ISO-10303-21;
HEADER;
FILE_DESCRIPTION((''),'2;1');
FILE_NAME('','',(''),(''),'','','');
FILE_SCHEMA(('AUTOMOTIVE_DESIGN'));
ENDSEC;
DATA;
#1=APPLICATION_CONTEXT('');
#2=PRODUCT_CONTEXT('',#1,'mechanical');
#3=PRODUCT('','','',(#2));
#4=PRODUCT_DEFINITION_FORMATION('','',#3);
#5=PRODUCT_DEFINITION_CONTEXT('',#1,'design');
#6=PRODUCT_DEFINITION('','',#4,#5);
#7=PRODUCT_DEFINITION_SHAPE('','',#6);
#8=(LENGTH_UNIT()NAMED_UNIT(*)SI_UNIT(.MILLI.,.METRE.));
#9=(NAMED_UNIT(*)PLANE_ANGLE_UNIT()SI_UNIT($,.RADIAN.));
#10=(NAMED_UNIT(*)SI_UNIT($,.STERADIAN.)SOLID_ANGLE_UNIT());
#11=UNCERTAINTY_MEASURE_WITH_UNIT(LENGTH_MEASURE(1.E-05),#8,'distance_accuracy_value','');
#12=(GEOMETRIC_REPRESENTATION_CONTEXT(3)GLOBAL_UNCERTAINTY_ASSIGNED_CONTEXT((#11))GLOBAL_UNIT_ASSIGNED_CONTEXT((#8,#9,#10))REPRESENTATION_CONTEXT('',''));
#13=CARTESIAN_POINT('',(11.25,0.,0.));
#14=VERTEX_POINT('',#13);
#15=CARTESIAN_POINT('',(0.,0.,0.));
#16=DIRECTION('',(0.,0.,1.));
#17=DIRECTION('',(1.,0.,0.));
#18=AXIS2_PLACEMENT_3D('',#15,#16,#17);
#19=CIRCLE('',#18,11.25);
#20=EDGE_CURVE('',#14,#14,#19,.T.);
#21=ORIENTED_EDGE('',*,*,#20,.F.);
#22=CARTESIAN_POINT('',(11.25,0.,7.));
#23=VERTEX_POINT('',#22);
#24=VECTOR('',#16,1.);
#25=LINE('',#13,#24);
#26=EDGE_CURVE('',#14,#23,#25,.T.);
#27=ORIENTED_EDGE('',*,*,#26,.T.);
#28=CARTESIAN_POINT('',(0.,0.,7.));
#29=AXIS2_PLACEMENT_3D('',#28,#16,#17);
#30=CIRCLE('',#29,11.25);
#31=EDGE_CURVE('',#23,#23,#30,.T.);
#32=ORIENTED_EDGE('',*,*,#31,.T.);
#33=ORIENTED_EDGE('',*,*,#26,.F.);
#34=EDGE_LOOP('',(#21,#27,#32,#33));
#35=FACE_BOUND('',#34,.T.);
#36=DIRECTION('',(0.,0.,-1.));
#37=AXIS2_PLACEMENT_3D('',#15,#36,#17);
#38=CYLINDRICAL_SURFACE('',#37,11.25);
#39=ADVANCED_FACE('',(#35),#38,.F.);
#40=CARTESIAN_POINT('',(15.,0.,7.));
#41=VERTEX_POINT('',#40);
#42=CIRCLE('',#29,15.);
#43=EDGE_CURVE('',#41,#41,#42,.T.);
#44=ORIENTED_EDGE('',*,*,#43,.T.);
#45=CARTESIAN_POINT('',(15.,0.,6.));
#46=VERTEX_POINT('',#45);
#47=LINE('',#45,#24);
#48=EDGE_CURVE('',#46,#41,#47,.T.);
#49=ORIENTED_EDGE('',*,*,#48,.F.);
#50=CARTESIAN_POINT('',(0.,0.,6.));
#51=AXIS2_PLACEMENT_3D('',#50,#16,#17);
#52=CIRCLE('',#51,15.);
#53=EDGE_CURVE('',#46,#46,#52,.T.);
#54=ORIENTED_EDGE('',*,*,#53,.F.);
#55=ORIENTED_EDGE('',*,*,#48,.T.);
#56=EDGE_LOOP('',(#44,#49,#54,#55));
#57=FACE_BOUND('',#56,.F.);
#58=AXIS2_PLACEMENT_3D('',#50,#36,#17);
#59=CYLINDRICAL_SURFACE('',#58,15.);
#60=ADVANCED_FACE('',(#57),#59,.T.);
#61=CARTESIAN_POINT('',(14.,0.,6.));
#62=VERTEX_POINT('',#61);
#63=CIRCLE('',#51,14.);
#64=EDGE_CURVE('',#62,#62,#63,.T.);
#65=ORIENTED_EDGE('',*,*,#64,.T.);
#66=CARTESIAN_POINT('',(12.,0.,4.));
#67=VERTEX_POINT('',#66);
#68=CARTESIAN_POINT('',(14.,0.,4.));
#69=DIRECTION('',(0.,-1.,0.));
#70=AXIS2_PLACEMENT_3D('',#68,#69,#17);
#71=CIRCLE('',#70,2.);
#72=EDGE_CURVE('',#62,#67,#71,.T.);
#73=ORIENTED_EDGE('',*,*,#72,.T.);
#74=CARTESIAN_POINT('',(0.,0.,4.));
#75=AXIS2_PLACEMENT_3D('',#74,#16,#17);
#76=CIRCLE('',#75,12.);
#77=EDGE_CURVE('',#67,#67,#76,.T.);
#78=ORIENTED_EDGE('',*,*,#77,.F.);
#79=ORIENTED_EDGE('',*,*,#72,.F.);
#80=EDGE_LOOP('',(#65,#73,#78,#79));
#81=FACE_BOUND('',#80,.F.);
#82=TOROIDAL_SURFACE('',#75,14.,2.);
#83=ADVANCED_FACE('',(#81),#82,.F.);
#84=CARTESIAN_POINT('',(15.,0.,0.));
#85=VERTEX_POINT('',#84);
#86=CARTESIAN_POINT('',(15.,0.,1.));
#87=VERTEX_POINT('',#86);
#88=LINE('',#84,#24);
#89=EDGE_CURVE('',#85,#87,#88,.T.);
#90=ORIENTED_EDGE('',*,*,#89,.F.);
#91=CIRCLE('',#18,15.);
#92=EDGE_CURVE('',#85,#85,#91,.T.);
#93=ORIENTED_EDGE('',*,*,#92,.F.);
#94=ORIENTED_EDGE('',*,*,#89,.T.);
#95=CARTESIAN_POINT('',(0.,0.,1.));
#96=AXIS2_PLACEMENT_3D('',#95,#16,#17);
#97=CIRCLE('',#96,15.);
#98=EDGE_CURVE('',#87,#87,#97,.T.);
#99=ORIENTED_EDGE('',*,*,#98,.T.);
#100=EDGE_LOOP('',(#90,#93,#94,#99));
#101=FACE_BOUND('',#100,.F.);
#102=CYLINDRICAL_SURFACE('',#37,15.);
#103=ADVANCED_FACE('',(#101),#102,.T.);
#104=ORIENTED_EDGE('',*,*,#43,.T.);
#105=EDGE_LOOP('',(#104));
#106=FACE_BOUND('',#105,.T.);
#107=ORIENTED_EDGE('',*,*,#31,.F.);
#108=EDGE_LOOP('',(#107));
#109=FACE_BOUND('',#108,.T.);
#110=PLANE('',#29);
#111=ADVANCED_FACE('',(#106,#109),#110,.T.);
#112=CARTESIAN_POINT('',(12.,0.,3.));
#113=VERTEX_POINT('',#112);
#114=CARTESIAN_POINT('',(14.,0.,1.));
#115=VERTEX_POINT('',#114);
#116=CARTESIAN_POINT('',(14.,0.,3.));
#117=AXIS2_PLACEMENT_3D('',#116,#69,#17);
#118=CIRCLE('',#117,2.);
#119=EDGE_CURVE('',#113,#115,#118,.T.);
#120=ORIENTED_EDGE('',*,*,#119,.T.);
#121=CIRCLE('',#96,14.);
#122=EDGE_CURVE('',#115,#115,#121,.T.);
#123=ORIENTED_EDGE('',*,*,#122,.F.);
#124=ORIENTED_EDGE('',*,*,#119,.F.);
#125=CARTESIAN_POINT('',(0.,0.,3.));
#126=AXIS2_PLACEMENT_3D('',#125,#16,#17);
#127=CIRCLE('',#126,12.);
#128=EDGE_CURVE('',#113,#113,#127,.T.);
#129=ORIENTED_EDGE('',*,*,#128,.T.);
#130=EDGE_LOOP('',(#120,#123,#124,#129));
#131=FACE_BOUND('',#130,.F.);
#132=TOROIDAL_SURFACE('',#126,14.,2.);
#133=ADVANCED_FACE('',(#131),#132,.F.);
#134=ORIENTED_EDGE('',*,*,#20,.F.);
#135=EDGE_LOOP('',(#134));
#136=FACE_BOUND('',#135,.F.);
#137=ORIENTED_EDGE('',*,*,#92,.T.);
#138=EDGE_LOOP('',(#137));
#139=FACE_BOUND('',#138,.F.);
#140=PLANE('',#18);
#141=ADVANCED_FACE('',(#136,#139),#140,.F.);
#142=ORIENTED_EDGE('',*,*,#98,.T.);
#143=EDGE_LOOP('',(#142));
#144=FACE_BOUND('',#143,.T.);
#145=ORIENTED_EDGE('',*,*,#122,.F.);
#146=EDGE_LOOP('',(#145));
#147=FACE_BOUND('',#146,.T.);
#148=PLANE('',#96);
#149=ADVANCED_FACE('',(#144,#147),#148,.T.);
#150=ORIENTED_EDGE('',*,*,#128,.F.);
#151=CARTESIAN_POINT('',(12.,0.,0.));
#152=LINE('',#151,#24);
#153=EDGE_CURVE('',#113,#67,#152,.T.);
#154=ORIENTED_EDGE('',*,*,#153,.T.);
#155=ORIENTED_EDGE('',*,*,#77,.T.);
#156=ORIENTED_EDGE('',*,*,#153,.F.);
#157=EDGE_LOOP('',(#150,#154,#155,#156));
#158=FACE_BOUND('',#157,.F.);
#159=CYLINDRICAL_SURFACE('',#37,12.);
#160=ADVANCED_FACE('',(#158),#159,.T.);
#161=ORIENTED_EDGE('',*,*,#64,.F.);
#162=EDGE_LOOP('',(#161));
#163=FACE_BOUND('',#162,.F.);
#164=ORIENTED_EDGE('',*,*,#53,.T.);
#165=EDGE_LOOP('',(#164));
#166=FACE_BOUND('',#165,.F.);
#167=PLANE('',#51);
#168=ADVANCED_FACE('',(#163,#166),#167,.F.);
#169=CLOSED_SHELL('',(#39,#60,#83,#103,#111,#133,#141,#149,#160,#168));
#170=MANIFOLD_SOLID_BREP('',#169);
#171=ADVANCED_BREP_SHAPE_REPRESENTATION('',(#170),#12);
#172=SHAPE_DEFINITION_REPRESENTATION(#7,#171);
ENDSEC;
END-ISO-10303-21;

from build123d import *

# Parameters (mm, degrees)
F0_R        = 15
F0_R_2      = 12
F1_DEPTH    = 1
F0_R_3      = 11.25
F2_DEPTH    = 7
F3_START    = 5
F1_FACE_R   = 15
F1_FACE_R_2 = 12
F3_DEPTH    = 1
F4_R        = 2


with BuildPart() as f1:
    # F0 (on Top) → F1 (new body)
    with BuildSketch(Plane.XY):
        Circle(F0_R)
        Circle(F0_R_2, mode=Mode.SUBTRACT)
    extrude(amount=F1_DEPTH)

    # F0 (on Top) → F2 (join)
    with BuildSketch(Plane.XY):
        Circle(F0_R_2)
        Circle(F0_R_3, mode=Mode.SUBTRACT)
    extrude(amount=F2_DEPTH)

    # F1_face (on face) → F3 (join)
    with BuildSketch(Plane.XY.offset(1).offset(F3_START)):
        Circle(F1_FACE_R)
        Circle(F1_FACE_R_2, mode=Mode.SUBTRACT)
    extrude(amount=F3_DEPTH)

    # F4
    f4_edges = [f1.edges().sort_by_distance(p)[0] for p in [
        (12, 0, 3.5),
        (-12, 0, 6),
        (-12, 0, 1),
    ]]
    fillet(f4_edges, radius=F4_R)


solid = f1.part
